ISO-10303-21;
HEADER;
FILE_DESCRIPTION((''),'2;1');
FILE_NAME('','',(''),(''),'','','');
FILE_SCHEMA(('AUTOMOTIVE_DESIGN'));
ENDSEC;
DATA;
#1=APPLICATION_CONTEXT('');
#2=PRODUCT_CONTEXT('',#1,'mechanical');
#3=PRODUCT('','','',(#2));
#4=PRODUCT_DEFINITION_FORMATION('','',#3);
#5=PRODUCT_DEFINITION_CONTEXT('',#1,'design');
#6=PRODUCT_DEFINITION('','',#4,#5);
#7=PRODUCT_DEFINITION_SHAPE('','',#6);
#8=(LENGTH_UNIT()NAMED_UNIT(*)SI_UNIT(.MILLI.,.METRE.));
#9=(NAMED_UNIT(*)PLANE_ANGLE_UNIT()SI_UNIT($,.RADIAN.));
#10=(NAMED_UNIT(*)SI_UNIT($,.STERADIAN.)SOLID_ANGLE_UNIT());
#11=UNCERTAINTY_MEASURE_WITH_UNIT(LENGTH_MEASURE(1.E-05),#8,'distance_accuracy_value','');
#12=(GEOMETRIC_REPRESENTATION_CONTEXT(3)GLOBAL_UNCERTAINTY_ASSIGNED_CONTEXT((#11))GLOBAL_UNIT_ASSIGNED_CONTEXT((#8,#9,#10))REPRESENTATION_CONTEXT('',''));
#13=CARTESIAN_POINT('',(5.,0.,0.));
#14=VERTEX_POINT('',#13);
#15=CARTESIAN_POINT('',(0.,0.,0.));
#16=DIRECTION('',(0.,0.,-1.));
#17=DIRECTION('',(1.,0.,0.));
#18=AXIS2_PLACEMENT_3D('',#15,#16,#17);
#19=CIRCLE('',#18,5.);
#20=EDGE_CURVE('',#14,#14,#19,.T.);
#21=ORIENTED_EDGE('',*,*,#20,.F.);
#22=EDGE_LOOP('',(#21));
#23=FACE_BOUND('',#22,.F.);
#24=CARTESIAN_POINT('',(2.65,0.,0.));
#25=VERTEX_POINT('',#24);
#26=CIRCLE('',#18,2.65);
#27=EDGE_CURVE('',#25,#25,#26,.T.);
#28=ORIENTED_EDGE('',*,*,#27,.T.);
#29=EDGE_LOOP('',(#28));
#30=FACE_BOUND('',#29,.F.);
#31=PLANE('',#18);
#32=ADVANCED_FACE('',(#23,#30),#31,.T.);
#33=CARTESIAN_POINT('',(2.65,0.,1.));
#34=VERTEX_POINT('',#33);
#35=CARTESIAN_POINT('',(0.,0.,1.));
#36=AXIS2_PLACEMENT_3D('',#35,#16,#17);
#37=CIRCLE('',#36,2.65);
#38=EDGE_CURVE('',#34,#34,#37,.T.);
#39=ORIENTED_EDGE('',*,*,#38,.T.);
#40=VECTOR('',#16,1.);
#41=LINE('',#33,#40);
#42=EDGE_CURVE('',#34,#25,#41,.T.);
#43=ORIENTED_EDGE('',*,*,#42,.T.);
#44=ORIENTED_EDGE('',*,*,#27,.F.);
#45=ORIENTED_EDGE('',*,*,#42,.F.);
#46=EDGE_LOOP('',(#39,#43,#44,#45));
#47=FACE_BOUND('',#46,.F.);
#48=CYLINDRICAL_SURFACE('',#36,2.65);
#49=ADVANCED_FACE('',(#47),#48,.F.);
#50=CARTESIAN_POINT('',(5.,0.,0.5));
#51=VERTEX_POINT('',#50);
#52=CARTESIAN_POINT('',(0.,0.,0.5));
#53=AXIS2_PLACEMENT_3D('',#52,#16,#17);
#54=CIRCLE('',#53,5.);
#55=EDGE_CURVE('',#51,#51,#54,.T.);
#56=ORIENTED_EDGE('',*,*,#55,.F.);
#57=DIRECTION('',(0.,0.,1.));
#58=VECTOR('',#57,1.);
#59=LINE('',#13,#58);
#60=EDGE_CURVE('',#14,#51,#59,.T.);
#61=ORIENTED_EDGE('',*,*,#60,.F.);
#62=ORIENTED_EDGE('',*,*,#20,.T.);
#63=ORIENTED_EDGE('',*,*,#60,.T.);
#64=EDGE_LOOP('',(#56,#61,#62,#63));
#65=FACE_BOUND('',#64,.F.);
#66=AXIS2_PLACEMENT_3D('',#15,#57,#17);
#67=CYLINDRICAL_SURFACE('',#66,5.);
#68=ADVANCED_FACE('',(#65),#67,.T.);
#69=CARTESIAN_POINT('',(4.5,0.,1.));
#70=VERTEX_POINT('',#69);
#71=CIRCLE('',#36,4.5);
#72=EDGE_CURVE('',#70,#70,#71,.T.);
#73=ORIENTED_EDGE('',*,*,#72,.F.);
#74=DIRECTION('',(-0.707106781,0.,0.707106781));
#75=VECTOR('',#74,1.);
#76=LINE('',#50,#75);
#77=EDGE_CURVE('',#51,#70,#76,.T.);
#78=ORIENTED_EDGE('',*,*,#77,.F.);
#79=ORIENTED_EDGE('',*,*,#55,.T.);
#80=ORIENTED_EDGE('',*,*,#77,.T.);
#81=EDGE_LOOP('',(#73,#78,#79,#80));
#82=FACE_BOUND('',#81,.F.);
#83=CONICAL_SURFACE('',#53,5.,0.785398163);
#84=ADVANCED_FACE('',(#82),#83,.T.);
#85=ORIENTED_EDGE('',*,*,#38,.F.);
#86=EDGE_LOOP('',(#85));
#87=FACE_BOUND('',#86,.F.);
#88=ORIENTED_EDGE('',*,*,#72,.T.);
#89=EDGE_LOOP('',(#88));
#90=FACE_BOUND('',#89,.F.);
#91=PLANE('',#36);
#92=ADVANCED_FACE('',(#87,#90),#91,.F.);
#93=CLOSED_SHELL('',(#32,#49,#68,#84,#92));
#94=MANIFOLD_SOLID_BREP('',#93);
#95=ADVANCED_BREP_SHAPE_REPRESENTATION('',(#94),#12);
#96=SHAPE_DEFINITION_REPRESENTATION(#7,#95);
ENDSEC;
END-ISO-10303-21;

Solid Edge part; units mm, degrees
sketch "Sketch1" plane through (0, 0, 0) normal (0, -1, 0) x (1, 0, 0)
  line L0 (2.65, 1) -> (2.65, 0)
  line L1 (2.65, 0) -> (5, 0)
  line L2 (5, 0) -> (5, 1)
  line L3 (5, 1) -> (2.65, 1)
  dimension "D1" = 2.65
  dimension "D2" = 5
  dimension "D3" = 1
revolve "RevolvedProtrusion1" add sketch "Sketch1" angle 360 about axis through (0, 0, 2) along (0, 0, -1)
chamfer "Chamfer_1" distance 0.5 angle 45 1 edges at (-5, 0, 1) measured on face at (2.767, -4.1646, 0.1767)
properties material "Acier"
